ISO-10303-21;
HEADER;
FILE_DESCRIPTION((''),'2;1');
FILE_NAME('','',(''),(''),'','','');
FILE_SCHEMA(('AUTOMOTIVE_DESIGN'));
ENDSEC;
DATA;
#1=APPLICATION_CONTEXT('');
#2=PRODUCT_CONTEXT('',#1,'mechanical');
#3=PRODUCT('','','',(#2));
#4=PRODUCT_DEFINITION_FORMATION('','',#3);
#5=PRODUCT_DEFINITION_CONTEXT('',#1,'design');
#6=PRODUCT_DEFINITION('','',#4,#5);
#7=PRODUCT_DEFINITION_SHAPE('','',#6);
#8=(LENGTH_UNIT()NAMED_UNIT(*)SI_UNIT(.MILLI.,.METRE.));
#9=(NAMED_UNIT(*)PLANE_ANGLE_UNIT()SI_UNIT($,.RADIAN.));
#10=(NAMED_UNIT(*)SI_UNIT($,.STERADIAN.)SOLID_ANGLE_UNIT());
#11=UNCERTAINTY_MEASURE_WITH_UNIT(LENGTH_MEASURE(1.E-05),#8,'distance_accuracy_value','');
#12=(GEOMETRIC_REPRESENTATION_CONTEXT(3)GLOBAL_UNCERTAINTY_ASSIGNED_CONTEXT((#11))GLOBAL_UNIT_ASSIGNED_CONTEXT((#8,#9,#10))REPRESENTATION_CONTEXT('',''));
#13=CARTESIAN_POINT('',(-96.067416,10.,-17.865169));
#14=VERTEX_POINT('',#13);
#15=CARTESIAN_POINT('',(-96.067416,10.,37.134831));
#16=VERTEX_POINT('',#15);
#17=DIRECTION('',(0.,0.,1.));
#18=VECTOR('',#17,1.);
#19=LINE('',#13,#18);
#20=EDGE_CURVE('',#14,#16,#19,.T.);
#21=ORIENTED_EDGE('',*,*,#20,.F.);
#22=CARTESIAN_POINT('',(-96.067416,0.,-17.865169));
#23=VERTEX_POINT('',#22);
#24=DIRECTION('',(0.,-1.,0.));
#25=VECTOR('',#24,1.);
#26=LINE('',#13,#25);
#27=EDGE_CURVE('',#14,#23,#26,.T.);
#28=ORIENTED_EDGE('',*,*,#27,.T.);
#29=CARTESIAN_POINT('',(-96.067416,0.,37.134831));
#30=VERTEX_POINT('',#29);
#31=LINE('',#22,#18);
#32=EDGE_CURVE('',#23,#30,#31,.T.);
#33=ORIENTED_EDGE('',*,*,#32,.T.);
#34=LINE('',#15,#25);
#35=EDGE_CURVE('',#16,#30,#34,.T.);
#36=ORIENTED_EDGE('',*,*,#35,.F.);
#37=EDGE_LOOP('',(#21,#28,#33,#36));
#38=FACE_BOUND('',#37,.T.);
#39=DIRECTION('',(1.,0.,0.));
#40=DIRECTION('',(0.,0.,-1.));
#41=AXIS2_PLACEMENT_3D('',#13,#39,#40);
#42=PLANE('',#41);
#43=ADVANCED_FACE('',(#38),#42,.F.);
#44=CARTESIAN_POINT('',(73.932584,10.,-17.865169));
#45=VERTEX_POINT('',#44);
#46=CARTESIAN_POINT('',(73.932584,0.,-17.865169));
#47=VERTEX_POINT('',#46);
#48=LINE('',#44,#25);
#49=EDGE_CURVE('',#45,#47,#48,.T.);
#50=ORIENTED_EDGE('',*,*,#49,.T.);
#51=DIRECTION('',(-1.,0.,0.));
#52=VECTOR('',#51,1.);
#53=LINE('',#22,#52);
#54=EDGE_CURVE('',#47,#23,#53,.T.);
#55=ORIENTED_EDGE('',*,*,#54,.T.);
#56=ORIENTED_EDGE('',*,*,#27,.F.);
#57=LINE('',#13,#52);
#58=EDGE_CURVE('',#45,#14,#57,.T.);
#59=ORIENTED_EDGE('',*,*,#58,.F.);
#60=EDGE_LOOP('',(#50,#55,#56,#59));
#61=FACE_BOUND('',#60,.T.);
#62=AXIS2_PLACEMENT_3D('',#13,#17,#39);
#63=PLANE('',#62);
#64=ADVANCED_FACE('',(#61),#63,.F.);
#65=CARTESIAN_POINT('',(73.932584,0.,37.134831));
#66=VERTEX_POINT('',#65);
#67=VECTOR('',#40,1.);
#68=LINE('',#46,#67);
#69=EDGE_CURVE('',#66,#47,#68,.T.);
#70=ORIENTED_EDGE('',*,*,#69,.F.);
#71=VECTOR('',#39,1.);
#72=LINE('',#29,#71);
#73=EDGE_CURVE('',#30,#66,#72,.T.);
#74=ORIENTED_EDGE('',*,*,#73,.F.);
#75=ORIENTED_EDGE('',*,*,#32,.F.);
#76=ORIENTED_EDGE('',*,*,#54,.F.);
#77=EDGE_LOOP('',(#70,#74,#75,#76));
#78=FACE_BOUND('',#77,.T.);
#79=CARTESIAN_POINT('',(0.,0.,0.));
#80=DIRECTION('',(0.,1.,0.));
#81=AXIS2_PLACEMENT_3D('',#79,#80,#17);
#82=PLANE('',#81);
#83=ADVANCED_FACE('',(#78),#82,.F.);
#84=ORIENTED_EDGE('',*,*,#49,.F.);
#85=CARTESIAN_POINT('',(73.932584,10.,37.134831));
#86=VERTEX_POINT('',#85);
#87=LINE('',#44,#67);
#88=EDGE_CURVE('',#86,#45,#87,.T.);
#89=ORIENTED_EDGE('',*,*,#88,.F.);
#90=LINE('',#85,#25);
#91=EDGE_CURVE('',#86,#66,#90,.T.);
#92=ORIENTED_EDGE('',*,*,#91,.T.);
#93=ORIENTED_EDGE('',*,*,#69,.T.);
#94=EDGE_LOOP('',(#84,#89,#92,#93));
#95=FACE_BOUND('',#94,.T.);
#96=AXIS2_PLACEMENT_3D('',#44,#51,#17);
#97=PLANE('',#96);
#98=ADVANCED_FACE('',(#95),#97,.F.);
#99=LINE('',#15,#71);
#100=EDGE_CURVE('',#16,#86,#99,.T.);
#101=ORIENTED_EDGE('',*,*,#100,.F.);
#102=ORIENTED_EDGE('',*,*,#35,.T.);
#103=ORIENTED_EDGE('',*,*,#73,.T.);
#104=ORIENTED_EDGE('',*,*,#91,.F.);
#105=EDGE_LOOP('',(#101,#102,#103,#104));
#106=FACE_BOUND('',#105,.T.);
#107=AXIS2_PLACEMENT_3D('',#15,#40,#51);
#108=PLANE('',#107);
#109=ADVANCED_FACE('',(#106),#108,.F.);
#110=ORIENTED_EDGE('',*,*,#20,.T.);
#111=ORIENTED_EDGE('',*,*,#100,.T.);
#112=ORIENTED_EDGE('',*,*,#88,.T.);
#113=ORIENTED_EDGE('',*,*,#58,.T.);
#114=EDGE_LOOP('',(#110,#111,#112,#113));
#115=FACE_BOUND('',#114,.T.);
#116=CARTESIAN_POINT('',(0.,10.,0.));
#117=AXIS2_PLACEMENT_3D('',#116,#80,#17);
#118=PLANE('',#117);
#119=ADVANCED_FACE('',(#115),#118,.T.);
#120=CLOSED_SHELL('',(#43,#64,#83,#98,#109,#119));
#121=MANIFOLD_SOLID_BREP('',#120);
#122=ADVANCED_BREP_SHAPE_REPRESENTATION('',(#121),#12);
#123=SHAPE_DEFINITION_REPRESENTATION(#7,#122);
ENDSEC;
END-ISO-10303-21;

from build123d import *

# Parameters (mm, degrees)
SKETCH1_W           = 170
SKETCH1_H           = 55
BOSS_EXTRUDE1_DEPTH = 10


with BuildPart() as part:
    # Sketch1 → Boss-Extrude1 (new body)
    with BuildSketch(Plane(origin=(0, 0, 0), x_dir=(1, 0, 0), z_dir=(0, 1, 0))):
        with Locations((-11.06741573, -9.634831461)):
            Rectangle(SKETCH1_W, SKETCH1_H)
    extrude(amount=BOSS_EXTRUDE1_DEPTH)


solid = part.part
